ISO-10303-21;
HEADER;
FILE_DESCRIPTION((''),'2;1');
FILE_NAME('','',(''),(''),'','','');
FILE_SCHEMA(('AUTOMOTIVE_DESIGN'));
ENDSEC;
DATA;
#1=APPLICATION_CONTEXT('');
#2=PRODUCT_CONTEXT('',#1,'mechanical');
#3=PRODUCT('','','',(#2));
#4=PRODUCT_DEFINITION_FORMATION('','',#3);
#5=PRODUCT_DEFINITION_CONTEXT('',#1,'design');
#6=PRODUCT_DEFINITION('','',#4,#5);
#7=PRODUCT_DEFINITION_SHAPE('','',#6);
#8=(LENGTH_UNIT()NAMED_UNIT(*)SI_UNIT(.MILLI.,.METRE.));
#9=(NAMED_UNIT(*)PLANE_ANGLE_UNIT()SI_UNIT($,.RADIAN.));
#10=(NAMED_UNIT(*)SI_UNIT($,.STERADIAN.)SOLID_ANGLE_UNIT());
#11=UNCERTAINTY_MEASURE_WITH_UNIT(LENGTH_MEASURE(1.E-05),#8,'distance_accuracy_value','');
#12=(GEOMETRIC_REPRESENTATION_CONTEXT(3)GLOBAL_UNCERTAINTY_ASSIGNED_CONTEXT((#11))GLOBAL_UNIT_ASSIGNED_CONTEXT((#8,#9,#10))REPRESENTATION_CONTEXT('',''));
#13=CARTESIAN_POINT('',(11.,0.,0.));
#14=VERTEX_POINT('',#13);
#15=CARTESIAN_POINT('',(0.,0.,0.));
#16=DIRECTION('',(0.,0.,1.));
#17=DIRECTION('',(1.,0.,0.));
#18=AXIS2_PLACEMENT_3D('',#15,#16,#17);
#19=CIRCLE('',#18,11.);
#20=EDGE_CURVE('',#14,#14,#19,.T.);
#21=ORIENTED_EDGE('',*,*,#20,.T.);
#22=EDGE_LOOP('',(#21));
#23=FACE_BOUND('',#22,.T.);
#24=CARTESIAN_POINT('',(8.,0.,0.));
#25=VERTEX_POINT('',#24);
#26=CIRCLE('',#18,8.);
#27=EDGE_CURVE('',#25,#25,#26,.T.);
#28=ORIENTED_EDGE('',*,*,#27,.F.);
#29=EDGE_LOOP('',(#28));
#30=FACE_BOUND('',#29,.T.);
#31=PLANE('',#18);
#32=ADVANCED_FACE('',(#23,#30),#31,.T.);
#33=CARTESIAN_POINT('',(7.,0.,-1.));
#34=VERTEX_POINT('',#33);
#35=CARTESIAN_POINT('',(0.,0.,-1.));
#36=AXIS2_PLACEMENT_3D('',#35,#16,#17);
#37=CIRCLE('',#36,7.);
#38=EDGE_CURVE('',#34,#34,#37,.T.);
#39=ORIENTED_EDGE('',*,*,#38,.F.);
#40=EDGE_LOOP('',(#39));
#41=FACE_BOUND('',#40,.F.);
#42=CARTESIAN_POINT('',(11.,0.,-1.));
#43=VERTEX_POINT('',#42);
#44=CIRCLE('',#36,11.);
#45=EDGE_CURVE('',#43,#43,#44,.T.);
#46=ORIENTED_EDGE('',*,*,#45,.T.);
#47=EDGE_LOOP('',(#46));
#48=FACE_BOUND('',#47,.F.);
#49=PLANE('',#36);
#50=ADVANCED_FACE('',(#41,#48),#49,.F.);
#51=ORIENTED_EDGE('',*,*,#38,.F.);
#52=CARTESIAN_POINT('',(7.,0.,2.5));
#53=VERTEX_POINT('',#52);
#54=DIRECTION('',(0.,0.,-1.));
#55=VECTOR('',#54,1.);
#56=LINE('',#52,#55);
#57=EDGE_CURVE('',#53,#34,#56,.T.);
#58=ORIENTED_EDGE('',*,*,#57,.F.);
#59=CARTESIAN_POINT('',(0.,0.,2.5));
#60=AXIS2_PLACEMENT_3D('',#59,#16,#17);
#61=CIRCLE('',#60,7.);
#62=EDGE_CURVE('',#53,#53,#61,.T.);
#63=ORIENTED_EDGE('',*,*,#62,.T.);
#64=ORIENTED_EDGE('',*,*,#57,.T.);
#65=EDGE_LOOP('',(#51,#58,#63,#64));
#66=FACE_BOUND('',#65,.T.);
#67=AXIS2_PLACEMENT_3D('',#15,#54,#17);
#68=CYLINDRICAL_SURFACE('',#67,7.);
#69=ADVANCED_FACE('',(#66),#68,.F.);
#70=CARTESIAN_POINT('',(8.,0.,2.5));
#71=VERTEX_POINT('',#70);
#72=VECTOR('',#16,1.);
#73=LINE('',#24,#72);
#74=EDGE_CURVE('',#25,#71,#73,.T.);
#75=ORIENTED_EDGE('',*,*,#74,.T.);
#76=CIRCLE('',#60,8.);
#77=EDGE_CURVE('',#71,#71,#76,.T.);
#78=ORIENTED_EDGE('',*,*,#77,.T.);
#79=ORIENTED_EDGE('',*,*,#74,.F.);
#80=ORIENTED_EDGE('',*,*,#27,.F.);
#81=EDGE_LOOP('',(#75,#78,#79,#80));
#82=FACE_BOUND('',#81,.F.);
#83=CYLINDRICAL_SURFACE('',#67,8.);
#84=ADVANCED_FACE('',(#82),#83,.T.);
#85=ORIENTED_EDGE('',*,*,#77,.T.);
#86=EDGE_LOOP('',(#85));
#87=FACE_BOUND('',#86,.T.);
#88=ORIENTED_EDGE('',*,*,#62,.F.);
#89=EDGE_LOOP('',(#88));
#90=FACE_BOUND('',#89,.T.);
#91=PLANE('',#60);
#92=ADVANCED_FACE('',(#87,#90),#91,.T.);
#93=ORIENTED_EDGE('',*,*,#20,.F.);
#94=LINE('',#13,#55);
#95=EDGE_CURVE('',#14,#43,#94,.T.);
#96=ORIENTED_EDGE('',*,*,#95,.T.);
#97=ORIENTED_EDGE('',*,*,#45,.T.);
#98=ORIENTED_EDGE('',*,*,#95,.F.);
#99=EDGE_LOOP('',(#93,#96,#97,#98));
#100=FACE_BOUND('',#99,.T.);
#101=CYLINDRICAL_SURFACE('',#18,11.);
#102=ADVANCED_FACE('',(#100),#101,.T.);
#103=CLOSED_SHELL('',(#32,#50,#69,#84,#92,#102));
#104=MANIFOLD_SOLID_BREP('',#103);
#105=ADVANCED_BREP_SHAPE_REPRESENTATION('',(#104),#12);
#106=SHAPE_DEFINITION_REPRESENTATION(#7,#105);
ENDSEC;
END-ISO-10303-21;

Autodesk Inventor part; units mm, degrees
ref_plane "YZ Plane" through (0, 0, 0) normal (1, 0, 0) x (0, 1, 0)
ref_plane "XZ Plane" through (0, 0, 0) normal (0, 1, 0) x (-1, 0, 0)
ref_plane "XY Plane" through (0, 0, 0) normal (0, 0, 1) x (1, 0, 0)
sketch "スケッチ1" plane through (0, 0, 0) normal (0, 0, 1) x (1, 0, 0)
  circle A0 centre (0, 0) radius 7
  circle A1 centre (0, 0) radius 8
  circle A2 centre (0, 0) radius 11
  dimension "d0" = 14
  dimension "d1" = 16
  dimension "d4" = 22
extrude "押し出し1" add sketch "スケッチ1" along normal blind 2.5 contours A1
extrude "押し出し2" add sketch "スケッチ1" against normal blind 1 contours A1 | A2
properties part number "オイレスF外径16内径14L3甲" material "アセタール樹脂、黒"
